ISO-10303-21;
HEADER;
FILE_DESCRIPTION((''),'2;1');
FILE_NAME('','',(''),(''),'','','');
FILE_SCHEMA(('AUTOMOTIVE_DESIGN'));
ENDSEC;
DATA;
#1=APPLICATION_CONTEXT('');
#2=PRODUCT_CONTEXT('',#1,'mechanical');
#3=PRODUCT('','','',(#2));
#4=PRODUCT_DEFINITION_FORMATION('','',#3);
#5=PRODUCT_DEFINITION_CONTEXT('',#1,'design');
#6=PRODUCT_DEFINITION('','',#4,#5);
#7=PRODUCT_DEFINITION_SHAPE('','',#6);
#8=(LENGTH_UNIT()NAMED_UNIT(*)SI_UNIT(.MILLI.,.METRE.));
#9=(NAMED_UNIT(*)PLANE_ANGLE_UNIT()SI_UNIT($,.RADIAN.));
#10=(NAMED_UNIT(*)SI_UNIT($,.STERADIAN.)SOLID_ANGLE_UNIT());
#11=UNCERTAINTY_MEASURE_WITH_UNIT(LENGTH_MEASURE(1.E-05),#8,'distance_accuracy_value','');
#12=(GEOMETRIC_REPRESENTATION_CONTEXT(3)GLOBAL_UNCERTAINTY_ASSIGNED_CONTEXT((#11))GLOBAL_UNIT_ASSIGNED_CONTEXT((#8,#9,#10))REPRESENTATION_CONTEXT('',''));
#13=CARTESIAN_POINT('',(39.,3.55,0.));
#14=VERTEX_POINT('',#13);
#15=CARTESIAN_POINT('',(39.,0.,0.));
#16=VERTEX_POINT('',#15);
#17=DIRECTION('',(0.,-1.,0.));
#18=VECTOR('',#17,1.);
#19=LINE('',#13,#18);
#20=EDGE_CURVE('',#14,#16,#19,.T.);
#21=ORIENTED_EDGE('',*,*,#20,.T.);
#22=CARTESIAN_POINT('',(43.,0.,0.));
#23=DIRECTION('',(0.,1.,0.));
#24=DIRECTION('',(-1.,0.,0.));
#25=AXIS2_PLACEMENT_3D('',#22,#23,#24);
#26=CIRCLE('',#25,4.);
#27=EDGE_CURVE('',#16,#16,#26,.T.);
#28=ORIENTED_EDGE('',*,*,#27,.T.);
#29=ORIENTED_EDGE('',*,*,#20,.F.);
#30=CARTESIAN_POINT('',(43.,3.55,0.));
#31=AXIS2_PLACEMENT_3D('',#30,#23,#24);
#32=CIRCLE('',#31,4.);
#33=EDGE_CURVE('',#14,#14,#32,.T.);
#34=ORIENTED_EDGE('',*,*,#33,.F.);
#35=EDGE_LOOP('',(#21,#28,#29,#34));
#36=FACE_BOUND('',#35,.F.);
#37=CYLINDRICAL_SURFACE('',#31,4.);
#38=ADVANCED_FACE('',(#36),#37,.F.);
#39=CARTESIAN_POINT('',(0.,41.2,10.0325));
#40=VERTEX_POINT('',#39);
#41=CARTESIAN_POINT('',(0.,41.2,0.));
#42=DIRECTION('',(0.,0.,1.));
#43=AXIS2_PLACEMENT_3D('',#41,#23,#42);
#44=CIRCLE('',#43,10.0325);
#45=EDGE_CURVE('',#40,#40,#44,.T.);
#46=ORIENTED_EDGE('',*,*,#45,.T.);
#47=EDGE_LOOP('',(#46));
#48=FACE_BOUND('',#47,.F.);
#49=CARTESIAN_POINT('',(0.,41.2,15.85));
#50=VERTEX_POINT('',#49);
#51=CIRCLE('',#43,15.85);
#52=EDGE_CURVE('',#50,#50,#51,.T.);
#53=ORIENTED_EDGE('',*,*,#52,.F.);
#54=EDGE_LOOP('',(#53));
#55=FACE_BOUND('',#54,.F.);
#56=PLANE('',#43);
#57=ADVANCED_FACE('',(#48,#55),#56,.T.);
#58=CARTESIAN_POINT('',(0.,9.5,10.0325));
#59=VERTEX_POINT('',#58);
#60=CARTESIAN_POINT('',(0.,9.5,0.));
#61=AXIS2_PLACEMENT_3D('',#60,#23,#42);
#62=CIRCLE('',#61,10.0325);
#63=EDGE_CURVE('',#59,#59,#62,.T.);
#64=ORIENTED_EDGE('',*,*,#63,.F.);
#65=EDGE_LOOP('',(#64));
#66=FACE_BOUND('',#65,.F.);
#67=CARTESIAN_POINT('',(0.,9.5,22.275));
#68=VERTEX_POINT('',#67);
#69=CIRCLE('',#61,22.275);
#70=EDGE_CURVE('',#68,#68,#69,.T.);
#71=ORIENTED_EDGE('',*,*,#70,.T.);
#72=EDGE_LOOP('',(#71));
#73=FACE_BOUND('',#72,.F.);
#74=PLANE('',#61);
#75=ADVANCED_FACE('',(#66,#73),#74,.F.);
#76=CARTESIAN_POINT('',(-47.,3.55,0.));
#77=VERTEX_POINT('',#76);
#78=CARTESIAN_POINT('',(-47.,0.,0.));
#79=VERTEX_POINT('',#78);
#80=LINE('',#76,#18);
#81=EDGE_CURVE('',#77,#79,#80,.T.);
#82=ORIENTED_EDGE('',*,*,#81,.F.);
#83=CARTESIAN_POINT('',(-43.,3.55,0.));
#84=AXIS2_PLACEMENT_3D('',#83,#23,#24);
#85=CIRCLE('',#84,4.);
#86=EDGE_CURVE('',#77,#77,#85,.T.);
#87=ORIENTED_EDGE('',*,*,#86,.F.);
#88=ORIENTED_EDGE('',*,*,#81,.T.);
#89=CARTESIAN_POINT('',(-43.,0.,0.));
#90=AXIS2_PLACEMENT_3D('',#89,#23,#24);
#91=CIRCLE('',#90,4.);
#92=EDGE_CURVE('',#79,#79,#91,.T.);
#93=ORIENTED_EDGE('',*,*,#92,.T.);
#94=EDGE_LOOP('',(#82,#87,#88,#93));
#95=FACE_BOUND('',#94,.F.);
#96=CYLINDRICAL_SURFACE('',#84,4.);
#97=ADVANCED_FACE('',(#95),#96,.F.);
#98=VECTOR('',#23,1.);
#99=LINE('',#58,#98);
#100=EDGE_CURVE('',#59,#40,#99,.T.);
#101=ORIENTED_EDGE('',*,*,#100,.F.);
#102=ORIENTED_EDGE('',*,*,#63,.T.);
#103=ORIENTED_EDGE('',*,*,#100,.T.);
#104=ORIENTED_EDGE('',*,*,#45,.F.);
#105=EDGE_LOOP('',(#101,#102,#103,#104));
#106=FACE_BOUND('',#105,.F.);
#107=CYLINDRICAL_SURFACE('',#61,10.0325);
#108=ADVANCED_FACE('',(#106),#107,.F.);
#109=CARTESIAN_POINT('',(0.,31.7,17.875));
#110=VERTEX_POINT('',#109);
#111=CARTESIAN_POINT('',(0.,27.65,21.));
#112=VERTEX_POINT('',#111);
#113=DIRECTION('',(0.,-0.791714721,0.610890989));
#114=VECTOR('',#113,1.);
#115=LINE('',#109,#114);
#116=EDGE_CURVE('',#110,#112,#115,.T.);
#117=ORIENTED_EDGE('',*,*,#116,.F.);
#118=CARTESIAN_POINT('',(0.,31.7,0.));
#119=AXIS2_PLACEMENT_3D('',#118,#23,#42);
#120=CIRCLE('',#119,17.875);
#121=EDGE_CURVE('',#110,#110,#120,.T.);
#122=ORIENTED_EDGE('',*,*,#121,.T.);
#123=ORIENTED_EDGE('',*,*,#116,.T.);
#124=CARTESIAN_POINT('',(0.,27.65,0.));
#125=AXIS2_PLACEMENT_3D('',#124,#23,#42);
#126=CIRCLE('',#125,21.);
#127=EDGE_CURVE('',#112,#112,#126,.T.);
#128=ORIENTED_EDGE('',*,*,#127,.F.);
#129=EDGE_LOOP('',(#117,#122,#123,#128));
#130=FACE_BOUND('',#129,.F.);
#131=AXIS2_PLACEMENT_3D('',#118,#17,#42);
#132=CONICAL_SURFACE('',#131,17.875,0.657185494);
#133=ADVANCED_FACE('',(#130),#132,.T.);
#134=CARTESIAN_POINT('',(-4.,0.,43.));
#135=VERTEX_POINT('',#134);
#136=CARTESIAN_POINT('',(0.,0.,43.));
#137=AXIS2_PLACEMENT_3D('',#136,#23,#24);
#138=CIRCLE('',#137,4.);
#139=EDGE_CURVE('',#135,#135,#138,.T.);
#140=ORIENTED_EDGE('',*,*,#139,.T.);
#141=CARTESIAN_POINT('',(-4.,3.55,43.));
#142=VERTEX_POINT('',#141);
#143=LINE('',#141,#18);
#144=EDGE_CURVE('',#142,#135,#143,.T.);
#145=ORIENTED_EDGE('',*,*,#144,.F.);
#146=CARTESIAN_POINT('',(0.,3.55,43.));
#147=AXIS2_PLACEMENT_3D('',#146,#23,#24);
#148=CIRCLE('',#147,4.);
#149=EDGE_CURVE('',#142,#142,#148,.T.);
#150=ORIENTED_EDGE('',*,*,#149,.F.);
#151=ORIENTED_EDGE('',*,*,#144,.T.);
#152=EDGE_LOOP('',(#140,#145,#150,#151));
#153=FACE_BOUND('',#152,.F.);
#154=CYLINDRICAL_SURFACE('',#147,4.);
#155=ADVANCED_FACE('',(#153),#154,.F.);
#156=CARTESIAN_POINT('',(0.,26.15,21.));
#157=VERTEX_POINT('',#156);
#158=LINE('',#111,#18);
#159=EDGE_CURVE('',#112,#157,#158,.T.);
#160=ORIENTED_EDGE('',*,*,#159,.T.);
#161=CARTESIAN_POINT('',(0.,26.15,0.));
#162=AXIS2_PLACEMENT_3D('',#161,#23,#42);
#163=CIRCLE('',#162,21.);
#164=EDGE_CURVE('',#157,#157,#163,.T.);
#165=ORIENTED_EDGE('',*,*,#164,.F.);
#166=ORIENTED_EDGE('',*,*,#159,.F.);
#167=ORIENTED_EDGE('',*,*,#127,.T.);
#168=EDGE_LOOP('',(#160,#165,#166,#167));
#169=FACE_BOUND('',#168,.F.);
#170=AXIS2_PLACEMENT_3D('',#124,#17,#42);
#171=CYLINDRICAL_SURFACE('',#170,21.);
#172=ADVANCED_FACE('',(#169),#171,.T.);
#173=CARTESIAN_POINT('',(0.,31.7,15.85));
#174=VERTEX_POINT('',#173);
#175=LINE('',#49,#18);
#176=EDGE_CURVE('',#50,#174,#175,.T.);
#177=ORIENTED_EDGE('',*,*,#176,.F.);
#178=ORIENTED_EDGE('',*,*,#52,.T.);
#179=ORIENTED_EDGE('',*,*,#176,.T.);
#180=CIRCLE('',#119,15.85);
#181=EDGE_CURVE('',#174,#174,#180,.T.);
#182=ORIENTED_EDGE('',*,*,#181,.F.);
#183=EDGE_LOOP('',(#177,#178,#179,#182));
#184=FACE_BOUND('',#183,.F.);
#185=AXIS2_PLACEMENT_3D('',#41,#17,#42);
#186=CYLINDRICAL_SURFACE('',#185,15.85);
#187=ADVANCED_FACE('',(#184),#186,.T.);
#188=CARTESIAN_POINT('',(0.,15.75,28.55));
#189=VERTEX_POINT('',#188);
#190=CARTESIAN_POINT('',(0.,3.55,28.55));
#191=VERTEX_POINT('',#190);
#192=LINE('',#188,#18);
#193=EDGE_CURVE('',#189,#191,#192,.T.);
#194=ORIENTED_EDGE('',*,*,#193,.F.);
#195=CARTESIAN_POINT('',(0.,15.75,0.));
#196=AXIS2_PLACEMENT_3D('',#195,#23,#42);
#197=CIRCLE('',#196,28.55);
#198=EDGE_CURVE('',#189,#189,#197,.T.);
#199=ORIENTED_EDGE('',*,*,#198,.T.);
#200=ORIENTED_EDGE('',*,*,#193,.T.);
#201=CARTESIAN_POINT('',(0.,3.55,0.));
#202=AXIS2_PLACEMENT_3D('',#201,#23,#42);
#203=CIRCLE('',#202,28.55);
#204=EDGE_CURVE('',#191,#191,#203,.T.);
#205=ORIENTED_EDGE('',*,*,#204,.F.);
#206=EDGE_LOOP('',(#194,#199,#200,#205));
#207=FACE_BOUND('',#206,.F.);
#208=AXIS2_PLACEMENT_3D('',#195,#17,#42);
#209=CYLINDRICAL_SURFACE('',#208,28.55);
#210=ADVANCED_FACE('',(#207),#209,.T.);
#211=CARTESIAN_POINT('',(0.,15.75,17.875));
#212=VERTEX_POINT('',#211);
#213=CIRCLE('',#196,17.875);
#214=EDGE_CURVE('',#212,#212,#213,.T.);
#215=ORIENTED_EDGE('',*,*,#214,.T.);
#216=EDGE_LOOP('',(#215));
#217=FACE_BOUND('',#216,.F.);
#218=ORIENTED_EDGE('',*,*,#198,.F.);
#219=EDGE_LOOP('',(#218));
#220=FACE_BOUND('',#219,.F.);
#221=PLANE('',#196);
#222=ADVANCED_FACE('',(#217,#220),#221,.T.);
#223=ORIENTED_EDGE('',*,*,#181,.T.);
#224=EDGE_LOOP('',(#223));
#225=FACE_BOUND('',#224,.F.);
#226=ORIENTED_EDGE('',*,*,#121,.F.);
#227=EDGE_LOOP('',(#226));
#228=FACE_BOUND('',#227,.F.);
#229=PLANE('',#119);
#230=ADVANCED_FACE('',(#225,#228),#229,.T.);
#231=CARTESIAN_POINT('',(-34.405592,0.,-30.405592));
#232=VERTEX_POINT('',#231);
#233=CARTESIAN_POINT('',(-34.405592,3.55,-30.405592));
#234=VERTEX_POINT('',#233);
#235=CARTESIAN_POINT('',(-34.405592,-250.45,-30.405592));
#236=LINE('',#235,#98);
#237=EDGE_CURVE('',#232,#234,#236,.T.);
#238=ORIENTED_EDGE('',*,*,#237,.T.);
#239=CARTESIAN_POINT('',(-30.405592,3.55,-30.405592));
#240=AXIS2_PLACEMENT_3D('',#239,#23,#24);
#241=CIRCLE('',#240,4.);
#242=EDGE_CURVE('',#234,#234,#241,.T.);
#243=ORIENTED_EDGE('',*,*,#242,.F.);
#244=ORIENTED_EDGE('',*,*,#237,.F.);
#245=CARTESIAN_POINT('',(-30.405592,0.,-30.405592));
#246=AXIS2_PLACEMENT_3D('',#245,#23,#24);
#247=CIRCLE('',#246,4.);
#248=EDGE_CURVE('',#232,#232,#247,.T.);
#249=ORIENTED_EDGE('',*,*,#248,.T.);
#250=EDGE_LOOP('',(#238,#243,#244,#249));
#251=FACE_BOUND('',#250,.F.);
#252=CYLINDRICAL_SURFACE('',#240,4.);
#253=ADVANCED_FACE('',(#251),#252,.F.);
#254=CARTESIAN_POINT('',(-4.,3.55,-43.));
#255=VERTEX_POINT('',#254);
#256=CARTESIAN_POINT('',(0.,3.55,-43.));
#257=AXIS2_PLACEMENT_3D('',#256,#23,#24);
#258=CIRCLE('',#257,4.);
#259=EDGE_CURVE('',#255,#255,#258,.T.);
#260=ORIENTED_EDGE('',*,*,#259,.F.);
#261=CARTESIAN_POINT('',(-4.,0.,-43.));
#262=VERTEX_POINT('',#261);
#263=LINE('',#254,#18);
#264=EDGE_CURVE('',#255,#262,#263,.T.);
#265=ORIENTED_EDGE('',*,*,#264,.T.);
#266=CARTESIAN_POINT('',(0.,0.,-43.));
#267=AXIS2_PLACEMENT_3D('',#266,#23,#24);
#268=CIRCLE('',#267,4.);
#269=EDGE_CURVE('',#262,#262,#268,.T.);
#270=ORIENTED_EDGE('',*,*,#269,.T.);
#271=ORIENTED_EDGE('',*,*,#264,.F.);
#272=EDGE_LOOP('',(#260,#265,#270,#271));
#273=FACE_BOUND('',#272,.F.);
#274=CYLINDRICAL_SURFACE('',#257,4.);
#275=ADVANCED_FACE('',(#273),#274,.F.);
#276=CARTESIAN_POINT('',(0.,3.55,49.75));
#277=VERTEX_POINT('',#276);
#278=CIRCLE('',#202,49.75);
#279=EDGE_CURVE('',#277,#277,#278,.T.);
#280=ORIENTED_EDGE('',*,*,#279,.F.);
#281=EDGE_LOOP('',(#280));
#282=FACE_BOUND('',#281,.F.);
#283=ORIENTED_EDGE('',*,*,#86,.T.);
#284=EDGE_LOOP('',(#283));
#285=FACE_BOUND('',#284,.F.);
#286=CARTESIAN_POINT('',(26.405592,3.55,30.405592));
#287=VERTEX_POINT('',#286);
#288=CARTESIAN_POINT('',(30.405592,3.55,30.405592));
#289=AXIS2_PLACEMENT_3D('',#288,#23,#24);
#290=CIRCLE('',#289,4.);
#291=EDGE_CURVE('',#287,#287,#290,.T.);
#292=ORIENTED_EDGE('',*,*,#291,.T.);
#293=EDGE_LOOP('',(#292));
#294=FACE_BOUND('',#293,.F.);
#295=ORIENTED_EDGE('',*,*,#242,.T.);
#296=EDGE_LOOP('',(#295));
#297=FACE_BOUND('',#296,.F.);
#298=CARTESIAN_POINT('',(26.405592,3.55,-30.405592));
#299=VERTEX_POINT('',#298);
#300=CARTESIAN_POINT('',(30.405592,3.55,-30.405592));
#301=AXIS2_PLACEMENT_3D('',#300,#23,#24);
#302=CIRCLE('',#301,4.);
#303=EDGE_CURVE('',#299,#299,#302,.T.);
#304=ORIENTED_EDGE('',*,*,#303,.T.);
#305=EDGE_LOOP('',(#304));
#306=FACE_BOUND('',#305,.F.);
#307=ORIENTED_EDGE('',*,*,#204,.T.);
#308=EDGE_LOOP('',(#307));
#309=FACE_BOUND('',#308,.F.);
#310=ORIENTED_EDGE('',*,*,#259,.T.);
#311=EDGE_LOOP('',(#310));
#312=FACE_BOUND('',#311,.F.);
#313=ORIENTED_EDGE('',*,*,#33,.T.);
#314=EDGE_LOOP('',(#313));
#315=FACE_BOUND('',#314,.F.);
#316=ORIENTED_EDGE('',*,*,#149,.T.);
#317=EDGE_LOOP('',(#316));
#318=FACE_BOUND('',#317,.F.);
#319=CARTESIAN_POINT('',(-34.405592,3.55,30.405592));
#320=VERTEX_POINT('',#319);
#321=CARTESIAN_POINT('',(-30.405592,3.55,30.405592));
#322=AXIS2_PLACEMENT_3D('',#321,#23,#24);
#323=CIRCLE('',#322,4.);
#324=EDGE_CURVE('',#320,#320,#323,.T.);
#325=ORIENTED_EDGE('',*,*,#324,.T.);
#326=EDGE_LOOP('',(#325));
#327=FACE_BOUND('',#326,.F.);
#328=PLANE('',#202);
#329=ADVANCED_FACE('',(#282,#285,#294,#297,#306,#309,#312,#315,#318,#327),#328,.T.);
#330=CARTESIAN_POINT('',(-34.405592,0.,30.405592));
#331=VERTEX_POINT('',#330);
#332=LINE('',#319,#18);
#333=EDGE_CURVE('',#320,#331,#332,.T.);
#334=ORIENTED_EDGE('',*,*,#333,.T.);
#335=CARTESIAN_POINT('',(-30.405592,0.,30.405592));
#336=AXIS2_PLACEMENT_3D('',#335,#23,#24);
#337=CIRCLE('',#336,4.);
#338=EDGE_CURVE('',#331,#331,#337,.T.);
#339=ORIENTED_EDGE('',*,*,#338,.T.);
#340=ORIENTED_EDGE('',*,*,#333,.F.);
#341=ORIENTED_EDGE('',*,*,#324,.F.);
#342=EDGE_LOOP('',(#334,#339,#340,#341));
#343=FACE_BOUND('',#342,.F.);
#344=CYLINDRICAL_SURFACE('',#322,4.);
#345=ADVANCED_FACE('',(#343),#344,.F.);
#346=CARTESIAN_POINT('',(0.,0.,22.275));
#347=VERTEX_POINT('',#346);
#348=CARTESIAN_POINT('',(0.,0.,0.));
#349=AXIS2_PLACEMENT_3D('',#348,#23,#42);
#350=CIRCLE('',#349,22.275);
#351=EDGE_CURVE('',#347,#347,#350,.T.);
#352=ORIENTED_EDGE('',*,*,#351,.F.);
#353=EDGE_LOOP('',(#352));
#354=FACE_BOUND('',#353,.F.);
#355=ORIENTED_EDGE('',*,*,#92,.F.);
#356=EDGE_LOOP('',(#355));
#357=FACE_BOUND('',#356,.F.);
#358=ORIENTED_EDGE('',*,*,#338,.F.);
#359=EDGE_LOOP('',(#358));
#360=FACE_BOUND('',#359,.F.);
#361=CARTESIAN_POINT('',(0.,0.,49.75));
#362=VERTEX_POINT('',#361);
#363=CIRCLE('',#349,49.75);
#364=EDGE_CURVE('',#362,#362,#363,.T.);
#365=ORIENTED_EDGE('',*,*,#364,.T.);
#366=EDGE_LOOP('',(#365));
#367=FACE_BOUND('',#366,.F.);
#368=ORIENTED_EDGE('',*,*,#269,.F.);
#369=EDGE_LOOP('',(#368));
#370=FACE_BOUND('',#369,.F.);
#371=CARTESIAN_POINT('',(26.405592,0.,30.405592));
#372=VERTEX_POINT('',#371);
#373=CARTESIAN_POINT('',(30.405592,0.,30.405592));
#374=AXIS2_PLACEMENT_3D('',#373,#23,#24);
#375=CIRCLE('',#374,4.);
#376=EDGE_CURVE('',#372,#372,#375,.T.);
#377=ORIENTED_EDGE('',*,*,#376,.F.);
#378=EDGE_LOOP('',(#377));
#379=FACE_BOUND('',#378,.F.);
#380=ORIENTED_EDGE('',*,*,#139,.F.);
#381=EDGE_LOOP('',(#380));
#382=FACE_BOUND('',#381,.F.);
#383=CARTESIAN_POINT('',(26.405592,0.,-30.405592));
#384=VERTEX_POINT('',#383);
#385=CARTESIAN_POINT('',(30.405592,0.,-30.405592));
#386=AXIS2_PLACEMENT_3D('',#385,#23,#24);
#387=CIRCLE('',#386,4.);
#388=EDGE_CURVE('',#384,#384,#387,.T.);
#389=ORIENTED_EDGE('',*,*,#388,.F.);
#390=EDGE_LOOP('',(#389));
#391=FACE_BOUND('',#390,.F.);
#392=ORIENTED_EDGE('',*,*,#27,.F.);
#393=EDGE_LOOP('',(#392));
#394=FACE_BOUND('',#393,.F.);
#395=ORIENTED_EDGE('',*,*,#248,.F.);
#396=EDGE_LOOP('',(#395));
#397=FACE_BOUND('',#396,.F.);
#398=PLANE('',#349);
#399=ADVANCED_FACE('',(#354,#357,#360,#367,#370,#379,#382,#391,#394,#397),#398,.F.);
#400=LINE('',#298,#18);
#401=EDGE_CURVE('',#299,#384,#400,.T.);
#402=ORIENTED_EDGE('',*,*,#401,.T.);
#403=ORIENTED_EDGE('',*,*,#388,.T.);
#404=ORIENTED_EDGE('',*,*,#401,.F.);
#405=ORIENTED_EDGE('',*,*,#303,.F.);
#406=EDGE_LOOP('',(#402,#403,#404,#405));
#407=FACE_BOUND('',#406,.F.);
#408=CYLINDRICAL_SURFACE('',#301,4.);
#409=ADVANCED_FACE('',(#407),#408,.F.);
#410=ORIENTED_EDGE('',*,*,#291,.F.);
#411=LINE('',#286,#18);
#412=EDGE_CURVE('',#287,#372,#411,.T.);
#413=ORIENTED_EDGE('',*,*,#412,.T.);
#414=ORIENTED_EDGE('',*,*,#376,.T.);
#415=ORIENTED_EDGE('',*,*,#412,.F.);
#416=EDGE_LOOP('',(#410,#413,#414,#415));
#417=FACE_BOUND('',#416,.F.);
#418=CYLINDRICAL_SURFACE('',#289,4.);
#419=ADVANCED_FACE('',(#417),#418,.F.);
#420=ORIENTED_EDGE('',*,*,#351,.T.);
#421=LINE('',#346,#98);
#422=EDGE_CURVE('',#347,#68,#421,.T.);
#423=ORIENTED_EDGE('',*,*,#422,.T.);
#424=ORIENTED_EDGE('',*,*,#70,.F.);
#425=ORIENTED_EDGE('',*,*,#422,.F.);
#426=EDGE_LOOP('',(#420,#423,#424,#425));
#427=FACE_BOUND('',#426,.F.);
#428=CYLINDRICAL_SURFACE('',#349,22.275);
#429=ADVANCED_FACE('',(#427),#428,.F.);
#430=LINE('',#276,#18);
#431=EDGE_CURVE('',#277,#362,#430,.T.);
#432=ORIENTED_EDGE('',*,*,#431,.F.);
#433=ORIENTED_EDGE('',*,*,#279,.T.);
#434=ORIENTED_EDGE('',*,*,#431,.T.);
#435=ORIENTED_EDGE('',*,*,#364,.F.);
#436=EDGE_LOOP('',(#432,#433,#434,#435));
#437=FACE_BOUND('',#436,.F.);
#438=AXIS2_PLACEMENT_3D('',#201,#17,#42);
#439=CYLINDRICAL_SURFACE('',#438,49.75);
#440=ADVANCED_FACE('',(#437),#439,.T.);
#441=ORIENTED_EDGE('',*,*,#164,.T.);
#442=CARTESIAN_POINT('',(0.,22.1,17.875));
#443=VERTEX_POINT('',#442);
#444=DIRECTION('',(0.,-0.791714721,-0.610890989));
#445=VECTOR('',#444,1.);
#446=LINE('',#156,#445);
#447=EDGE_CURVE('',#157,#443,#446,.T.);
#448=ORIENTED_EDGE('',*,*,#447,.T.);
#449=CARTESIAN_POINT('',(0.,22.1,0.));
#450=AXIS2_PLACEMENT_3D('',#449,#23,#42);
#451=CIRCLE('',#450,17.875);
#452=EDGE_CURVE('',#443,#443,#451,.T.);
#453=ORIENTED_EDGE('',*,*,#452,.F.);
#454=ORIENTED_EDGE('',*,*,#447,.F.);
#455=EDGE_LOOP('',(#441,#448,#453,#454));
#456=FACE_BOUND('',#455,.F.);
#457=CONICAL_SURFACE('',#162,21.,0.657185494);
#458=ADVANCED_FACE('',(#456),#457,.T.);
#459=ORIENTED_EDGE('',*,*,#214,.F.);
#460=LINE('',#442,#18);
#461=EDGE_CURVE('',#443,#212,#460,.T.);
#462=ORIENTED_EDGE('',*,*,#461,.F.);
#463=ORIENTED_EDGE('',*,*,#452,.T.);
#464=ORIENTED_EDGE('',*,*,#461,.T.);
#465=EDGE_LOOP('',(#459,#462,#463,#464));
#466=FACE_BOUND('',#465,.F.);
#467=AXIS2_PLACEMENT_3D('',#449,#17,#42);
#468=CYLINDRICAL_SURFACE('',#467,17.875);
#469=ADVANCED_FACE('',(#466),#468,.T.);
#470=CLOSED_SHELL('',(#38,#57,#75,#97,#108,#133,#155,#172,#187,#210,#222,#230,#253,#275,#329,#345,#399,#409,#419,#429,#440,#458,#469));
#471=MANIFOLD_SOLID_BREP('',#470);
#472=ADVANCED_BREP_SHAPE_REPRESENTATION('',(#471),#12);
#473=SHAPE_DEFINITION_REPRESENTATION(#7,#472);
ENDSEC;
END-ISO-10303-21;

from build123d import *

# Parameters (mm, degrees)
F2_R     = 4
F3_DEPTH = 254


with BuildPart() as f1:
    # F0 (on Right) → F1 (revolve)
    with BuildSketch(Plane.YZ):
        Polygon((0, 49.75), (0, 22.275), (9.5, 22.275), (9.5, 10.0325), (41.2, 10.0325), (41.2, 15.85), (31.7, 15.85), (31.7, 17.875), (27.65, 21), (26.15, 21), (22.1, 17.875), (15.75, 17.875), (15.75, 28.55), (3.55, 28.55), (3.55, 49.75), align=None)
    revolve(axis=Axis((0, 2500.943971, 0), (0, 1, 0)))

    # F2 (on face) → F3 (cut, symmetric)
    with BuildSketch(Plane(origin=(0, 3.55, 0), x_dir=(-1, 0, 0), z_dir=(0, 1, 0))):
        with Locations((0, 43)):
            Circle(F2_R)
        with Locations((-30.405592, 30.405592)):
            Circle(F2_R)
        with Locations((43, 0)):
            Circle(F2_R)
        with Locations((30.405592, 30.405592)):
            Circle(F2_R)
        with Locations((-30.405592, -30.405592)):
            Circle(F2_R)
        with Locations((-43, 0)):
            Circle(F2_R)
        with Locations((0, -43)):
            Circle(F2_R)
        with Locations((30.405592, -30.405592)):
            Circle(F2_R)
    extrude(amount=F3_DEPTH, both=True, mode=Mode.SUBTRACT)


solid = f1.part
